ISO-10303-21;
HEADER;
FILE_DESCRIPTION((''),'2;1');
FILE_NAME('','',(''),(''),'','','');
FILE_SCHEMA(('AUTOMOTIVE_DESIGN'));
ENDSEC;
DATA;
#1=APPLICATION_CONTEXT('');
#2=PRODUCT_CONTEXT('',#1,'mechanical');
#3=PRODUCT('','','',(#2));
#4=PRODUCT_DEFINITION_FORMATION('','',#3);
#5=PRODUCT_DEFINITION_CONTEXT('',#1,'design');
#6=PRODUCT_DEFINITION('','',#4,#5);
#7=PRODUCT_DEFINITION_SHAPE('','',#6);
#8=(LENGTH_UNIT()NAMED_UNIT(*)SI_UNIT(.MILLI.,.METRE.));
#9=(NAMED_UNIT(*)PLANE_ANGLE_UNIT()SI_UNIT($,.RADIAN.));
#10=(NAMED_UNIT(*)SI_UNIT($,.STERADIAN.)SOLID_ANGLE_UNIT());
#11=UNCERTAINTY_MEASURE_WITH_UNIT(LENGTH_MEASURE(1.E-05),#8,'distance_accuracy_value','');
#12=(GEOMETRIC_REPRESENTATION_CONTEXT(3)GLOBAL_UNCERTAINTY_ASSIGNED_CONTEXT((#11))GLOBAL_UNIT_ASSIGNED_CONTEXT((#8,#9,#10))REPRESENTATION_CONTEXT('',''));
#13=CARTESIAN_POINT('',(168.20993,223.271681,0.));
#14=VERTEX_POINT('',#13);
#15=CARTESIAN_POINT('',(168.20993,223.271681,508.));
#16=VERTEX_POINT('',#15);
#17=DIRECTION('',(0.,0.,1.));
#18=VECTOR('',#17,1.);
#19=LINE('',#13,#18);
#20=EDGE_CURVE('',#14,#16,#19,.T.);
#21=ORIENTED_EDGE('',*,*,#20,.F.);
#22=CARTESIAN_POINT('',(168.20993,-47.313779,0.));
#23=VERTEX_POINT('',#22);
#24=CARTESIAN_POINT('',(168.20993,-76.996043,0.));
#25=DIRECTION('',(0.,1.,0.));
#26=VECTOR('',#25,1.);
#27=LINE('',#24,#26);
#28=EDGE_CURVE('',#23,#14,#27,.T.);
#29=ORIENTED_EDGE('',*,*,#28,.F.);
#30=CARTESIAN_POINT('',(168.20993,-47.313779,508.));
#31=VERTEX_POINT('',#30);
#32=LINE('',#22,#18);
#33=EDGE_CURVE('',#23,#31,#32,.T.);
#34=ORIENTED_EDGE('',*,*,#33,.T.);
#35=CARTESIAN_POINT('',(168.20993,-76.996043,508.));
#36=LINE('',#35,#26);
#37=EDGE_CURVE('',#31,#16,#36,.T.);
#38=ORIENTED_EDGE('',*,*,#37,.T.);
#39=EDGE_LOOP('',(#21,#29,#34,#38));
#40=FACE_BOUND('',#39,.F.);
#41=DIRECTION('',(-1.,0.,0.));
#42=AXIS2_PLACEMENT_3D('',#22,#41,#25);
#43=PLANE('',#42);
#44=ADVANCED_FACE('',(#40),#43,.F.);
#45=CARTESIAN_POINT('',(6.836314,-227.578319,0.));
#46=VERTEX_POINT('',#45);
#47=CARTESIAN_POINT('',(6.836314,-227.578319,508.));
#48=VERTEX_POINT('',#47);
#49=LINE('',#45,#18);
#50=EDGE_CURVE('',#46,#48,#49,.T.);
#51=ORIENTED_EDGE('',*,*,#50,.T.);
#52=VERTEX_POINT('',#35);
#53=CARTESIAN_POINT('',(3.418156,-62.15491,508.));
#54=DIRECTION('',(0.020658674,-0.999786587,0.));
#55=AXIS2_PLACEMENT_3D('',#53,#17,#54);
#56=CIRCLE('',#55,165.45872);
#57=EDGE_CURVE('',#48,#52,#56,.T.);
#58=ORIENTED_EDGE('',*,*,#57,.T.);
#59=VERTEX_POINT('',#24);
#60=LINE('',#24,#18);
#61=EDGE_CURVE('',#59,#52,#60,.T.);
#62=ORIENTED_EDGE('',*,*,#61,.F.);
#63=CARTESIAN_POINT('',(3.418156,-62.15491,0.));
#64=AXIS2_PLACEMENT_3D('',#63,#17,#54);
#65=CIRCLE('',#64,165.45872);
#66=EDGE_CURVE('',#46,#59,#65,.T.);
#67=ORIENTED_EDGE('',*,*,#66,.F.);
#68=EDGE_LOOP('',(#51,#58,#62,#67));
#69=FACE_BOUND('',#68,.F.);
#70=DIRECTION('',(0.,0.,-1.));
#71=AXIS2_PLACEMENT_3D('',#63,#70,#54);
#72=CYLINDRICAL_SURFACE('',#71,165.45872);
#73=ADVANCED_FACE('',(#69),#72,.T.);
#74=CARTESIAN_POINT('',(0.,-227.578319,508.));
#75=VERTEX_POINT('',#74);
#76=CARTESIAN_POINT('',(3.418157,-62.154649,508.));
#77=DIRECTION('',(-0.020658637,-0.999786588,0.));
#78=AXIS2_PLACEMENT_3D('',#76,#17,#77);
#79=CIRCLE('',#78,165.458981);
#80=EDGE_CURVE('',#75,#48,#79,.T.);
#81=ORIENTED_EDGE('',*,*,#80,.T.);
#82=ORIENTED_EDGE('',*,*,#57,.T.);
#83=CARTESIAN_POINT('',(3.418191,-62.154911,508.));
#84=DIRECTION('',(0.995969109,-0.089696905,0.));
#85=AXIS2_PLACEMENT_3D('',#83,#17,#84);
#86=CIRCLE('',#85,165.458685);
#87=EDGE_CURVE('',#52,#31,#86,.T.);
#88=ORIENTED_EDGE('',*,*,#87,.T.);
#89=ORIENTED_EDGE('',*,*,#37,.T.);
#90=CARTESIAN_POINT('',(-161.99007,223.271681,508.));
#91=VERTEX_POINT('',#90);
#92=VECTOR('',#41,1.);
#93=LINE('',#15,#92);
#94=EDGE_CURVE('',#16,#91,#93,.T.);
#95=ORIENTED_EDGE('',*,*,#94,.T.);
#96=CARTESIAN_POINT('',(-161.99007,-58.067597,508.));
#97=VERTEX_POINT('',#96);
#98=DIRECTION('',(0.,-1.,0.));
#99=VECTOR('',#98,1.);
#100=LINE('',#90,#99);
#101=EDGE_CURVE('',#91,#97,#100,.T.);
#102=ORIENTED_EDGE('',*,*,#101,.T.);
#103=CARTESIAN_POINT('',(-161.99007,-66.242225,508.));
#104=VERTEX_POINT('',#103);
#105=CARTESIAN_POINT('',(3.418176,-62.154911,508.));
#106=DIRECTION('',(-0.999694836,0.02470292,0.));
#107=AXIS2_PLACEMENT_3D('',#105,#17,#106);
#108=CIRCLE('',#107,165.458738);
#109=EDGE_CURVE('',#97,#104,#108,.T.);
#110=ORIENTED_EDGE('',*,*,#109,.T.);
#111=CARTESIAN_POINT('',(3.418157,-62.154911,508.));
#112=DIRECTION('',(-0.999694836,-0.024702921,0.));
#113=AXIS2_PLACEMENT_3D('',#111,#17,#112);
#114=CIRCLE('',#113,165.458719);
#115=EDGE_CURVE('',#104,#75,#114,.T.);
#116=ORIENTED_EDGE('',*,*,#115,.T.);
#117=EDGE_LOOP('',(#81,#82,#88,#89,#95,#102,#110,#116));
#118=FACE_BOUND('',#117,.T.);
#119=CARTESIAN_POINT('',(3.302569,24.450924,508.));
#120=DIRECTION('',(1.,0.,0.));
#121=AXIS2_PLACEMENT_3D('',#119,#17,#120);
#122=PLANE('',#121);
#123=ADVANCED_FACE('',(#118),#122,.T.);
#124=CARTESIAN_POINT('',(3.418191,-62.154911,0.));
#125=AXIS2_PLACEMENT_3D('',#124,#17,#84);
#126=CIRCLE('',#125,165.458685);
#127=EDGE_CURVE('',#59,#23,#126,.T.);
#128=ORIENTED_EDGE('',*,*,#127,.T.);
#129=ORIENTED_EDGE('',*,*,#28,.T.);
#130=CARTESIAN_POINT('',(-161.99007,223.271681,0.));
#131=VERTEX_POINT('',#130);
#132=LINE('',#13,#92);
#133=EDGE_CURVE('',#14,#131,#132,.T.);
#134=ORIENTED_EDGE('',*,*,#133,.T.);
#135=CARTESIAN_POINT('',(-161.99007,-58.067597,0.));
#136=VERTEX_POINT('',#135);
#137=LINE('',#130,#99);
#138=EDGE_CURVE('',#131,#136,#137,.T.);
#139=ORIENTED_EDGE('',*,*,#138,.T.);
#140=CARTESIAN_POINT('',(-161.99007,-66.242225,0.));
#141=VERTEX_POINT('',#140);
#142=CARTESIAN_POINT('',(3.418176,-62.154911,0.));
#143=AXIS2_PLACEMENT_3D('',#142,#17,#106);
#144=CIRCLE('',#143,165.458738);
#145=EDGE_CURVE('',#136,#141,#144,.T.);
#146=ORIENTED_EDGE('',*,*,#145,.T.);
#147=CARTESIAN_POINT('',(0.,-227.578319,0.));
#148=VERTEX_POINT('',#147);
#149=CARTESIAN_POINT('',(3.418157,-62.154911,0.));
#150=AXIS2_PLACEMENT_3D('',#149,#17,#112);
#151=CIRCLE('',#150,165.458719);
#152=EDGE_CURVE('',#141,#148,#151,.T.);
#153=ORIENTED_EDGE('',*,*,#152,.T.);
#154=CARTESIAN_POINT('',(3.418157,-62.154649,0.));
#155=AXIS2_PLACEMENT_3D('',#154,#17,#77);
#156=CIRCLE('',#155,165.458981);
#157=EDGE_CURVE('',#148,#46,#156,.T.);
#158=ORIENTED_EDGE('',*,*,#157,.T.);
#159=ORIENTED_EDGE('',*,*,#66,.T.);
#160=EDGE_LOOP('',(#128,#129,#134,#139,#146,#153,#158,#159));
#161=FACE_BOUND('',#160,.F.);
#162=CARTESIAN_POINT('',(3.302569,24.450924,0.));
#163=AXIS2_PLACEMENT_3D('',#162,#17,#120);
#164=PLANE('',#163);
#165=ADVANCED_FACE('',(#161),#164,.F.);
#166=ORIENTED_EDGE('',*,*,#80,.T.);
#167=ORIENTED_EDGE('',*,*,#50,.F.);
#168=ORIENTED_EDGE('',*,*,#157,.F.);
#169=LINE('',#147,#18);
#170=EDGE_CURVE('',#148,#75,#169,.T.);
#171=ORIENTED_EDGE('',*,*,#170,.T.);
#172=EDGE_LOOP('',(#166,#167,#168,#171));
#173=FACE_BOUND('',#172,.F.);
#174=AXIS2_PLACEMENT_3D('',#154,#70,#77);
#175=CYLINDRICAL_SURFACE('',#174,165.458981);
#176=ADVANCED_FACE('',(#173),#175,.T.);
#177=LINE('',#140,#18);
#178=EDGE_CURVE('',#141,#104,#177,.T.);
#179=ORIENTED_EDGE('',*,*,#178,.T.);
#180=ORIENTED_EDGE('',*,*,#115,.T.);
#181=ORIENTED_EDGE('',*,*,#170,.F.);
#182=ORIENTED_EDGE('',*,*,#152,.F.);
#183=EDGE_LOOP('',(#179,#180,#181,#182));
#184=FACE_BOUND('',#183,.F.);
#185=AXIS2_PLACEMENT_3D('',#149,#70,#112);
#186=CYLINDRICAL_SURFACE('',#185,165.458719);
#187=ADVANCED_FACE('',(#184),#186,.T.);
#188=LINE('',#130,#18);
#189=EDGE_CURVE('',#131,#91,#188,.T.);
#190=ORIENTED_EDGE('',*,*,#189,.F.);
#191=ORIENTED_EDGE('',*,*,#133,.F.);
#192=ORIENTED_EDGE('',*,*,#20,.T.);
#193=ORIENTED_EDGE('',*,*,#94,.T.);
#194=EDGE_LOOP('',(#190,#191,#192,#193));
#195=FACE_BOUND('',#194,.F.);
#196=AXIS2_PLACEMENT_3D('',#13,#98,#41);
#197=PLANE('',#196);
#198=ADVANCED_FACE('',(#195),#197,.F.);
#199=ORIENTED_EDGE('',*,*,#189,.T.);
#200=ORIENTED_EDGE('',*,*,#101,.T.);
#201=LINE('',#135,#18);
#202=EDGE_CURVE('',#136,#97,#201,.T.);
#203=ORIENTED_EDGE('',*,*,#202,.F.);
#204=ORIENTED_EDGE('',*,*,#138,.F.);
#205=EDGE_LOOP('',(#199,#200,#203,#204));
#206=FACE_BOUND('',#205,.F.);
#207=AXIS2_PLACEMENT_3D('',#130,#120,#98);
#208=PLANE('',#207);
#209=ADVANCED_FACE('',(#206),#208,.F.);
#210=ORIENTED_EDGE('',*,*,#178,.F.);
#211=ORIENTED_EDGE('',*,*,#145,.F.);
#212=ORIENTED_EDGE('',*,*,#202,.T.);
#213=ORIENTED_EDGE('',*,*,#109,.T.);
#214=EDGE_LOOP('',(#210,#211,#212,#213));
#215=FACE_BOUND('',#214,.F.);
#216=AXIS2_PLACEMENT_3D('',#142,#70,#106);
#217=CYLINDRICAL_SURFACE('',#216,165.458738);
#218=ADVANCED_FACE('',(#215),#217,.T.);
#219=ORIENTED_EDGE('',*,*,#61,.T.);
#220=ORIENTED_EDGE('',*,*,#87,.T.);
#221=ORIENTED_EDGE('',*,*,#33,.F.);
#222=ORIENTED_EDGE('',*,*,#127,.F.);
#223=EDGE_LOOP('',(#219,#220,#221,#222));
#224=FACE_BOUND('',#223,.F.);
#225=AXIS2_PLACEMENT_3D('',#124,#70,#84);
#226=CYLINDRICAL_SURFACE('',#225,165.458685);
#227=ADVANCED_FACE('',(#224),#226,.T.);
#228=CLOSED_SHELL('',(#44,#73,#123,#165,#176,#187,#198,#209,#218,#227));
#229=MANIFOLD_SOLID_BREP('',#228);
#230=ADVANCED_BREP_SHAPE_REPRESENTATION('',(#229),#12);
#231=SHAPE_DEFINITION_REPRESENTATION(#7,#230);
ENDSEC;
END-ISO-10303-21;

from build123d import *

# Parameters (mm, degrees)
F1_DEPTH = 508


with BuildPart() as f1:
    # F0 (on Top) → F1 (new body)
    with BuildSketch(Plane.XY):
        with BuildLine():
            Line((168.20993, 223.271681), (-161.99007, 223.271681))
            Line((-161.99007, 223.271681), (-161.99007, -58.067597))
            Line((-161.99007, -58.067597), (-161.99007, -66.242225))
            ThreePointArc((-161.99007, -66.242225), (-113.341942, -179.388298), (0, -227.578319))
            Line((0, -227.578319), (6.836314, -227.578319))
            ThreePointArc((6.836314, -227.578319), (116.300399, -183.126755), (168.20993, -76.996043))
            Line((168.20993, -76.996043), (168.20993, -47.313779))
            Line((168.20993, -47.313779), (168.20993, 223.271681))
        make_face()
        with BuildLine():
            Line((-161.99007, -66.242225), (-161.99007, -58.067597))
            ThreePointArc((-161.99007, -58.067597), (-162.040562, -62.154911), (-161.99007, -66.242225))
        make_face()
        with BuildLine():
            ThreePointArc((168.20993, -76.996043), (168.876876, -62.154911), (168.20993, -47.313779))
            Line((168.20993, -47.313779), (168.20993, -76.996043))
        make_face()
        with BuildLine():
            Line((6.836314, -227.578319), (0, -227.578319))
            ThreePointArc((0, -227.578319), (3.418157, -227.61363), (6.836314, -227.578319))
        make_face()
    extrude(amount=F1_DEPTH)


solid = f1.part
